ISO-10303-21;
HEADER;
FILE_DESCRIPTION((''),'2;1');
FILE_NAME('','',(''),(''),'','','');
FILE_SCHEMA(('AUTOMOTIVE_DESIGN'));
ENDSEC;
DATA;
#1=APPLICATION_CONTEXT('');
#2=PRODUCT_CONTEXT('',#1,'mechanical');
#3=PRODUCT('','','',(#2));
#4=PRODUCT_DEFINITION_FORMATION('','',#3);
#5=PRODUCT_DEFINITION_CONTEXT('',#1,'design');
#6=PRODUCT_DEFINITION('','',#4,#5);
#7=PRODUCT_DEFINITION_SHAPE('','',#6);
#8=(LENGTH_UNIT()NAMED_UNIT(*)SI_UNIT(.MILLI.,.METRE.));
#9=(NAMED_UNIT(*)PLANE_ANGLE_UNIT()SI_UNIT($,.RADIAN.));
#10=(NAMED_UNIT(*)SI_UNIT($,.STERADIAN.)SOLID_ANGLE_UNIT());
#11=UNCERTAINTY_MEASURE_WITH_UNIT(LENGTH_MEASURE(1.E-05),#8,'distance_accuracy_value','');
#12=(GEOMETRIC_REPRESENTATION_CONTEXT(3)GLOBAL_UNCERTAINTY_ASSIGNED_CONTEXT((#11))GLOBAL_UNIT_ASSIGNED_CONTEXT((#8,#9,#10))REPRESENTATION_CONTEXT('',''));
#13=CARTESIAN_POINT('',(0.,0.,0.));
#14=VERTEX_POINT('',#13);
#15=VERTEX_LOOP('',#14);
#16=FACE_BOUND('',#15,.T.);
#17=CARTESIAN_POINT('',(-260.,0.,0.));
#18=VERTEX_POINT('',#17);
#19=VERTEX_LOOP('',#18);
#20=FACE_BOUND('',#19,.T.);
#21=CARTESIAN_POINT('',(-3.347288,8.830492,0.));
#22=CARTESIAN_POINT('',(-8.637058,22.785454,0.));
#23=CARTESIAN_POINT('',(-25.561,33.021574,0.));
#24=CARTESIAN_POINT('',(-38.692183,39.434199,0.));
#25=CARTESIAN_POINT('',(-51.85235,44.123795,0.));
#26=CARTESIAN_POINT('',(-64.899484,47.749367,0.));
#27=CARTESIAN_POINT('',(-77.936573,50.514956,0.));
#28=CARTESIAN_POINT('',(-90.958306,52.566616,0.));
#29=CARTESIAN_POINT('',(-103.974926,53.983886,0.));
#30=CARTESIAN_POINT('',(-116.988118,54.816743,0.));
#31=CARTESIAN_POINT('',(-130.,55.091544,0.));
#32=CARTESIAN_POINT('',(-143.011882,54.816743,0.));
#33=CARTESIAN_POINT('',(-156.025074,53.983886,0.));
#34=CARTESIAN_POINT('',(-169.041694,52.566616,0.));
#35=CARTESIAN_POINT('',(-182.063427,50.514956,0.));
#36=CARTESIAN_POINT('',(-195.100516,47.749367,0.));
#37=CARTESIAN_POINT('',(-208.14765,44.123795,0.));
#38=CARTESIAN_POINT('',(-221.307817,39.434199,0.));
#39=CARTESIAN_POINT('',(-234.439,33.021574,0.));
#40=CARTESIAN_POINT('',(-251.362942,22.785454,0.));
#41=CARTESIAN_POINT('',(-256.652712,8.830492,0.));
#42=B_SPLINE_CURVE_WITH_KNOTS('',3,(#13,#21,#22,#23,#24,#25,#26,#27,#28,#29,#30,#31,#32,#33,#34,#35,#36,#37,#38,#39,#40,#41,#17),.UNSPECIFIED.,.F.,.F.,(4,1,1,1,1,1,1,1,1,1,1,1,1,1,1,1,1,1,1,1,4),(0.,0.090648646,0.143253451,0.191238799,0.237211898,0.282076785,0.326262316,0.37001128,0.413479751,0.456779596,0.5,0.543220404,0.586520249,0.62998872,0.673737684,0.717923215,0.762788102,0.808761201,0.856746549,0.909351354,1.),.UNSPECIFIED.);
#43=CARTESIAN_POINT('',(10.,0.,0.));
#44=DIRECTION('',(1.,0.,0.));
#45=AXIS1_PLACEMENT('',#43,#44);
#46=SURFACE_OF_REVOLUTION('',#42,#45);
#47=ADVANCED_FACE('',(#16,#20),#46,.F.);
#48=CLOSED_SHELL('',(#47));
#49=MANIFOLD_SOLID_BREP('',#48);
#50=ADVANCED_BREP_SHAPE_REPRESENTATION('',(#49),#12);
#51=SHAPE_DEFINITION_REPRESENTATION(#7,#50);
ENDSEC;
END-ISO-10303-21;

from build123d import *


with BuildPart() as part:
    # Sketch1 → Revolve1 (revolve)
    with BuildSketch(Plane.XY):
        with BuildLine():
            Line((-260, 0), (0, 0))
            add(Edge.make_bspline(
                [(0, 0), (-3.347287608, 8.830491747), (-8.637057756, 22.785453825), (-25.560999876, 33.02157361), (-38.692183286, 39.434199177), (-51.852349815, 44.123794884), (-64.89948422, 47.74936681), (-77.936573384, 50.514956153), (-90.95830586, 52.566616186), (-103.974926365, 53.983885889), (-116.988117972, 54.816743473), (-130, 55.091544132), (-143.011882028, 54.816743473), (-156.025073635, 53.983885889), (-169.04169414, 52.566616186), (-182.063426616, 50.514956153), (-195.10051578, 47.74936681), (-208.147650185, 44.123794884), (-221.307816714, 39.434199177), (-234.439000124, 33.02157361), (-251.362942244, 22.785453825), (-256.652712392, 8.830491747), (-260, 0)],
                knots=[0, 0, 0, 0, 0.090648646, 0.143253451, 0.191238799, 0.237211898, 0.282076785, 0.326262316, 0.37001128, 0.413479751, 0.456779596, 0.5, 0.543220404, 0.586520249, 0.62998872, 0.673737684, 0.717923215, 0.762788102, 0.808761201, 0.856746549, 0.909351354, 1, 1, 1, 1], degree=3))
        make_face()
    revolve(axis=Axis((10, 0, 0), (-1, 0, 0)))


solid = part.part
